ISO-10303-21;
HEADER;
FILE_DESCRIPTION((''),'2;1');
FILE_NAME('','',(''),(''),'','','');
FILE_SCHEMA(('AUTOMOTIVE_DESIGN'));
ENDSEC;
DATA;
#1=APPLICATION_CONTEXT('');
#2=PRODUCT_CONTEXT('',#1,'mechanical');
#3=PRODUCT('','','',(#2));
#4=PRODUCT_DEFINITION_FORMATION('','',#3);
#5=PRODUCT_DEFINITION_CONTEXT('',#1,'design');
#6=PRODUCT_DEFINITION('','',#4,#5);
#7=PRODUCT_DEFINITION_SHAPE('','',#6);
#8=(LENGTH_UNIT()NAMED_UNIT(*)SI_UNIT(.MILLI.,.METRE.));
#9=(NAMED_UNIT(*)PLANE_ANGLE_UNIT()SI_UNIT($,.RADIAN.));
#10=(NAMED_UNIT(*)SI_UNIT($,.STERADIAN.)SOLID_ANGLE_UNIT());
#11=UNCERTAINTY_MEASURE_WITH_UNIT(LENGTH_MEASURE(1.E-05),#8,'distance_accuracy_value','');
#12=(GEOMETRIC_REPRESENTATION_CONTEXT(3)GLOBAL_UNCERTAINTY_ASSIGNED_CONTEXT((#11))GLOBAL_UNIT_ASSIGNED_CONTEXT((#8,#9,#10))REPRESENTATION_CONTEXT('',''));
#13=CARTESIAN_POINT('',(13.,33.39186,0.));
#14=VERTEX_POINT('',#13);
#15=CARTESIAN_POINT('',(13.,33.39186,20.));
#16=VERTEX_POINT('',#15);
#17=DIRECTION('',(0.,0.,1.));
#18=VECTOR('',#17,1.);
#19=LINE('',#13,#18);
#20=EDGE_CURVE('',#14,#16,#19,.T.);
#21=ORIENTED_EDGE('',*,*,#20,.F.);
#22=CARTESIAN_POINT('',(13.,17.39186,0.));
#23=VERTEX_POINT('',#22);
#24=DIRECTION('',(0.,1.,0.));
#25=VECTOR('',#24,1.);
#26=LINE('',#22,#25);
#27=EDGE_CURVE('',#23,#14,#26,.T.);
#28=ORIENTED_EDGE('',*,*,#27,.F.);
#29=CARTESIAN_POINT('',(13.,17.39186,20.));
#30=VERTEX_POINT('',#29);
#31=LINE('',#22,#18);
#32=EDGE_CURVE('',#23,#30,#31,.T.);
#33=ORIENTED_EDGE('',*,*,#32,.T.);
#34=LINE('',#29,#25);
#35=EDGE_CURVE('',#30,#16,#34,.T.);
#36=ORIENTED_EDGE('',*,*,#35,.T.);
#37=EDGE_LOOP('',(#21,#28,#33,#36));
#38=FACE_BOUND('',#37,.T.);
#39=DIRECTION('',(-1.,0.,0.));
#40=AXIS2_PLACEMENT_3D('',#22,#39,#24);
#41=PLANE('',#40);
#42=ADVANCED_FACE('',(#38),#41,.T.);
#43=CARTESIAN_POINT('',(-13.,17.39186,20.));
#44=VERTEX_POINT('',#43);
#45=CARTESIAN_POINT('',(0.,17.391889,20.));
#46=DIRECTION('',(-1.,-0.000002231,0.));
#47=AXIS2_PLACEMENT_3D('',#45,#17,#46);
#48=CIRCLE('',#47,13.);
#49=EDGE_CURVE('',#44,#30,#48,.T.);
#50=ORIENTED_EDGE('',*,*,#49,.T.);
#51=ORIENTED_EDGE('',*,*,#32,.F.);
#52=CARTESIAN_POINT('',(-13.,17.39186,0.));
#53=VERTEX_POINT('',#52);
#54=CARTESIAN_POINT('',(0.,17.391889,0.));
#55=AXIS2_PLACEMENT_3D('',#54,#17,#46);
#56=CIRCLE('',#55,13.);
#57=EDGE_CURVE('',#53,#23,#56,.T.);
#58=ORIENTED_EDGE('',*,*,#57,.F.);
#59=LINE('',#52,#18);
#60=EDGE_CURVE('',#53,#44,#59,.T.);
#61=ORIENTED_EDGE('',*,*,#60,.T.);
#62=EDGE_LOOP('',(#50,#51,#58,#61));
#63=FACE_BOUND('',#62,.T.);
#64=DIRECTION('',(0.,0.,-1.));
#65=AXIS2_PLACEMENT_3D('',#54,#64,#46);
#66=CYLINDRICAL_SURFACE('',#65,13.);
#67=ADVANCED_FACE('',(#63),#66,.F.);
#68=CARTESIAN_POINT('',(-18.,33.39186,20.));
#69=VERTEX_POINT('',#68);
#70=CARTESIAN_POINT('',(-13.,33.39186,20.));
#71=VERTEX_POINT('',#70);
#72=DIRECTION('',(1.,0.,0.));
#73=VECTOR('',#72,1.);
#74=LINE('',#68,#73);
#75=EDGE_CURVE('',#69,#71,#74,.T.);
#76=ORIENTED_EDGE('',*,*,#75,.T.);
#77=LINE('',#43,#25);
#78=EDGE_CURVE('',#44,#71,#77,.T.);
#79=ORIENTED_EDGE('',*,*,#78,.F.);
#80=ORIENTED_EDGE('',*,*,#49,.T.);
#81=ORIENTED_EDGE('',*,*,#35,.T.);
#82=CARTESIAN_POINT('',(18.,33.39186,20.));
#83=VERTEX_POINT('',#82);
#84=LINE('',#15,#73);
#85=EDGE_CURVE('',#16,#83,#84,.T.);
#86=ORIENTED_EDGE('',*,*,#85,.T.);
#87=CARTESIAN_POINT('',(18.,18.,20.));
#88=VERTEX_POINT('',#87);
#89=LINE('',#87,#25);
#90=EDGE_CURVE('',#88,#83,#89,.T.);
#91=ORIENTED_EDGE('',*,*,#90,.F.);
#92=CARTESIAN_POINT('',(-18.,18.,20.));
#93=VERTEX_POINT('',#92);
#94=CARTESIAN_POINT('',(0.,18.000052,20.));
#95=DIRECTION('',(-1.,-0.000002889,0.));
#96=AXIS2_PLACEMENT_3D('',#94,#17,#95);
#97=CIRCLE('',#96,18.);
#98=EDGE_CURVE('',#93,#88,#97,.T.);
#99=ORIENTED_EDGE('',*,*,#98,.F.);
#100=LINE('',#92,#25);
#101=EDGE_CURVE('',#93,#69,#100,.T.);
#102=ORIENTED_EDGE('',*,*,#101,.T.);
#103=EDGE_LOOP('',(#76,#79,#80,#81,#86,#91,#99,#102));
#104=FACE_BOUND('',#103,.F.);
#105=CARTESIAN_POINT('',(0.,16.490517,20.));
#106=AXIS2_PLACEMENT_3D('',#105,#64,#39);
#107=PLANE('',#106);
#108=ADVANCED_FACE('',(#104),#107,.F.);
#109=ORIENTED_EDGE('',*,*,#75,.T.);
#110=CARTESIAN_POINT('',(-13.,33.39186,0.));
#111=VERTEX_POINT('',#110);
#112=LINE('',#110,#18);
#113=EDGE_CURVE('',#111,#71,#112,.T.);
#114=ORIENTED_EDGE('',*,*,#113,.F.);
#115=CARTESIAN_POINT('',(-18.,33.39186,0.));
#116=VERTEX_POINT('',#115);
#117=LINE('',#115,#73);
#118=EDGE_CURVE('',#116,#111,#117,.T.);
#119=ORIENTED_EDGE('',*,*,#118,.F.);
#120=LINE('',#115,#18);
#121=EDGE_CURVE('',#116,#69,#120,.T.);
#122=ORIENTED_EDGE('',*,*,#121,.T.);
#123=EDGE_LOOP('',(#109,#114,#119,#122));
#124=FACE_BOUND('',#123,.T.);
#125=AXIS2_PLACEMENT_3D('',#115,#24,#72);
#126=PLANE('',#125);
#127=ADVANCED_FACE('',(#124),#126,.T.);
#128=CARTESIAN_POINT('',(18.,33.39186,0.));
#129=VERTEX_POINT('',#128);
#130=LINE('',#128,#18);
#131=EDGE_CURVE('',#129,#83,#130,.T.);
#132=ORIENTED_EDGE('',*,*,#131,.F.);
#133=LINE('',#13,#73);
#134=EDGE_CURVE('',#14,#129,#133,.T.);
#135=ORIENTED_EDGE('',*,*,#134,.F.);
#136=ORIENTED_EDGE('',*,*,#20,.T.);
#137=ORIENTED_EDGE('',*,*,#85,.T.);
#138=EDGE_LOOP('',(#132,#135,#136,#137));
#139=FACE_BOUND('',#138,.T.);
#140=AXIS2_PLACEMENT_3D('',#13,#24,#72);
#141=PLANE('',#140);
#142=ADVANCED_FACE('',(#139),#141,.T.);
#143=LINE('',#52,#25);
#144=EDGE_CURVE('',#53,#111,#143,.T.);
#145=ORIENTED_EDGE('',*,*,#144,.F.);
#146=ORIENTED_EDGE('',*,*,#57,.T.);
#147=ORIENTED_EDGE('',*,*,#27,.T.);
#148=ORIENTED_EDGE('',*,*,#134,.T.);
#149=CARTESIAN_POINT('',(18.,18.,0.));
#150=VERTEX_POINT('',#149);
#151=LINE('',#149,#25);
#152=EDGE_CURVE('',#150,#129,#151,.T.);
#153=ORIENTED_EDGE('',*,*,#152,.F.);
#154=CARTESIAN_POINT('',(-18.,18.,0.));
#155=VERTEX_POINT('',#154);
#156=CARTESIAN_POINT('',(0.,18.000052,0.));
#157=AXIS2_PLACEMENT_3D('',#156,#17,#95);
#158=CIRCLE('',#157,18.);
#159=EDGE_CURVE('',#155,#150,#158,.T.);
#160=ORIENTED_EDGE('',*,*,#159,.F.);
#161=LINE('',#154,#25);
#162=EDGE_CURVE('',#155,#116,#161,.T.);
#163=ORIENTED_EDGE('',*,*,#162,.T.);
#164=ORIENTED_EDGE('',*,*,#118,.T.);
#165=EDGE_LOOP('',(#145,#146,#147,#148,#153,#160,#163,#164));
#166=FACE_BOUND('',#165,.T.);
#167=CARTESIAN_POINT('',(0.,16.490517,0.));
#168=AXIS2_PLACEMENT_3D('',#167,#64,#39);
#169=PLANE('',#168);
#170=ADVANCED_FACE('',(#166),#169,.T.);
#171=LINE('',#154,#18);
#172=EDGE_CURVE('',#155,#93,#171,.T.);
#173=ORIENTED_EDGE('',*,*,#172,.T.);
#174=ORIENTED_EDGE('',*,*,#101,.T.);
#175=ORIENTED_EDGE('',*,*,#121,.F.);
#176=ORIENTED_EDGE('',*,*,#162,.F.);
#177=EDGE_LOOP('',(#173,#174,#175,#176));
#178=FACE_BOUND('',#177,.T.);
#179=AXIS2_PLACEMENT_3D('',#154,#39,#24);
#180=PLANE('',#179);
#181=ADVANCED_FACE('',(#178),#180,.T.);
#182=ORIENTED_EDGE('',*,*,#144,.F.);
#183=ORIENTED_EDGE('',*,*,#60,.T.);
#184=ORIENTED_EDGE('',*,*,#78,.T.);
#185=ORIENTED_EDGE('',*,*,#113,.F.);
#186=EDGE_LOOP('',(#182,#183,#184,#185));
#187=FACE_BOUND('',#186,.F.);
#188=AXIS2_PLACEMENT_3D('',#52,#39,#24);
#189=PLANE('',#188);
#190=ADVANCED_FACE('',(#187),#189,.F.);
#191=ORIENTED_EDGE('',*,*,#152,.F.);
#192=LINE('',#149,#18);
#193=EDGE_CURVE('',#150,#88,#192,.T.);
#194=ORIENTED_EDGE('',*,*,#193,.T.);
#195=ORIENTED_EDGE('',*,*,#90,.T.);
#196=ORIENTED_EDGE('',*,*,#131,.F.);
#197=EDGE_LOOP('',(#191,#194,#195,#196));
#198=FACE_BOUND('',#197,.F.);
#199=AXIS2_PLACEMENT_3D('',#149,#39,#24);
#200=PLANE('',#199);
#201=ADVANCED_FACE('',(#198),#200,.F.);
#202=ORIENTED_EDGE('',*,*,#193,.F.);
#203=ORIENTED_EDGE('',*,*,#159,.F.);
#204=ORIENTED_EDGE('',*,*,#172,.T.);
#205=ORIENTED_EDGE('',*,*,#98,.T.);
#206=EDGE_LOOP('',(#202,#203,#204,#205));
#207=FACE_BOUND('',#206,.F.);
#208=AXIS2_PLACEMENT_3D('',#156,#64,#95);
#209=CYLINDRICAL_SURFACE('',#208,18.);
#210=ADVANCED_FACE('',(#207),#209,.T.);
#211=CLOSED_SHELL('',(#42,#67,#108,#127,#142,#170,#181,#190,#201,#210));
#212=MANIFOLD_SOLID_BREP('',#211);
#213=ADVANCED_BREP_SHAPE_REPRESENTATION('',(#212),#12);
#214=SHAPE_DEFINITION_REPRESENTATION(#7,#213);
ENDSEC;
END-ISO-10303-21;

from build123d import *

# Parameters (mm, degrees)
PAD_DEPTH = 20


with BuildPart() as part:
    # Sketch → Pad (new body)
    with BuildSketch(Plane.XY):
        with BuildLine():
            ThreePointArc((-13, 17.39186), (0, 4.391889), (13, 17.39186))
            Line((13, 17.39186), (13, 33.39186))
            Line((13, 33.39186), (18, 33.39186))
            Line((18, 18), (18, 33.39186))
            ThreePointArc((-18, 18), (0, 5.2e-05), (18, 18))
            Line((-18, 18), (-18, 33.39186))
            Line((-18, 33.39186), (-13, 33.39186))
            Line((-13, 17.39186), (-13, 33.39186))
        make_face()
    extrude(amount=PAD_DEPTH)


solid = part.part
